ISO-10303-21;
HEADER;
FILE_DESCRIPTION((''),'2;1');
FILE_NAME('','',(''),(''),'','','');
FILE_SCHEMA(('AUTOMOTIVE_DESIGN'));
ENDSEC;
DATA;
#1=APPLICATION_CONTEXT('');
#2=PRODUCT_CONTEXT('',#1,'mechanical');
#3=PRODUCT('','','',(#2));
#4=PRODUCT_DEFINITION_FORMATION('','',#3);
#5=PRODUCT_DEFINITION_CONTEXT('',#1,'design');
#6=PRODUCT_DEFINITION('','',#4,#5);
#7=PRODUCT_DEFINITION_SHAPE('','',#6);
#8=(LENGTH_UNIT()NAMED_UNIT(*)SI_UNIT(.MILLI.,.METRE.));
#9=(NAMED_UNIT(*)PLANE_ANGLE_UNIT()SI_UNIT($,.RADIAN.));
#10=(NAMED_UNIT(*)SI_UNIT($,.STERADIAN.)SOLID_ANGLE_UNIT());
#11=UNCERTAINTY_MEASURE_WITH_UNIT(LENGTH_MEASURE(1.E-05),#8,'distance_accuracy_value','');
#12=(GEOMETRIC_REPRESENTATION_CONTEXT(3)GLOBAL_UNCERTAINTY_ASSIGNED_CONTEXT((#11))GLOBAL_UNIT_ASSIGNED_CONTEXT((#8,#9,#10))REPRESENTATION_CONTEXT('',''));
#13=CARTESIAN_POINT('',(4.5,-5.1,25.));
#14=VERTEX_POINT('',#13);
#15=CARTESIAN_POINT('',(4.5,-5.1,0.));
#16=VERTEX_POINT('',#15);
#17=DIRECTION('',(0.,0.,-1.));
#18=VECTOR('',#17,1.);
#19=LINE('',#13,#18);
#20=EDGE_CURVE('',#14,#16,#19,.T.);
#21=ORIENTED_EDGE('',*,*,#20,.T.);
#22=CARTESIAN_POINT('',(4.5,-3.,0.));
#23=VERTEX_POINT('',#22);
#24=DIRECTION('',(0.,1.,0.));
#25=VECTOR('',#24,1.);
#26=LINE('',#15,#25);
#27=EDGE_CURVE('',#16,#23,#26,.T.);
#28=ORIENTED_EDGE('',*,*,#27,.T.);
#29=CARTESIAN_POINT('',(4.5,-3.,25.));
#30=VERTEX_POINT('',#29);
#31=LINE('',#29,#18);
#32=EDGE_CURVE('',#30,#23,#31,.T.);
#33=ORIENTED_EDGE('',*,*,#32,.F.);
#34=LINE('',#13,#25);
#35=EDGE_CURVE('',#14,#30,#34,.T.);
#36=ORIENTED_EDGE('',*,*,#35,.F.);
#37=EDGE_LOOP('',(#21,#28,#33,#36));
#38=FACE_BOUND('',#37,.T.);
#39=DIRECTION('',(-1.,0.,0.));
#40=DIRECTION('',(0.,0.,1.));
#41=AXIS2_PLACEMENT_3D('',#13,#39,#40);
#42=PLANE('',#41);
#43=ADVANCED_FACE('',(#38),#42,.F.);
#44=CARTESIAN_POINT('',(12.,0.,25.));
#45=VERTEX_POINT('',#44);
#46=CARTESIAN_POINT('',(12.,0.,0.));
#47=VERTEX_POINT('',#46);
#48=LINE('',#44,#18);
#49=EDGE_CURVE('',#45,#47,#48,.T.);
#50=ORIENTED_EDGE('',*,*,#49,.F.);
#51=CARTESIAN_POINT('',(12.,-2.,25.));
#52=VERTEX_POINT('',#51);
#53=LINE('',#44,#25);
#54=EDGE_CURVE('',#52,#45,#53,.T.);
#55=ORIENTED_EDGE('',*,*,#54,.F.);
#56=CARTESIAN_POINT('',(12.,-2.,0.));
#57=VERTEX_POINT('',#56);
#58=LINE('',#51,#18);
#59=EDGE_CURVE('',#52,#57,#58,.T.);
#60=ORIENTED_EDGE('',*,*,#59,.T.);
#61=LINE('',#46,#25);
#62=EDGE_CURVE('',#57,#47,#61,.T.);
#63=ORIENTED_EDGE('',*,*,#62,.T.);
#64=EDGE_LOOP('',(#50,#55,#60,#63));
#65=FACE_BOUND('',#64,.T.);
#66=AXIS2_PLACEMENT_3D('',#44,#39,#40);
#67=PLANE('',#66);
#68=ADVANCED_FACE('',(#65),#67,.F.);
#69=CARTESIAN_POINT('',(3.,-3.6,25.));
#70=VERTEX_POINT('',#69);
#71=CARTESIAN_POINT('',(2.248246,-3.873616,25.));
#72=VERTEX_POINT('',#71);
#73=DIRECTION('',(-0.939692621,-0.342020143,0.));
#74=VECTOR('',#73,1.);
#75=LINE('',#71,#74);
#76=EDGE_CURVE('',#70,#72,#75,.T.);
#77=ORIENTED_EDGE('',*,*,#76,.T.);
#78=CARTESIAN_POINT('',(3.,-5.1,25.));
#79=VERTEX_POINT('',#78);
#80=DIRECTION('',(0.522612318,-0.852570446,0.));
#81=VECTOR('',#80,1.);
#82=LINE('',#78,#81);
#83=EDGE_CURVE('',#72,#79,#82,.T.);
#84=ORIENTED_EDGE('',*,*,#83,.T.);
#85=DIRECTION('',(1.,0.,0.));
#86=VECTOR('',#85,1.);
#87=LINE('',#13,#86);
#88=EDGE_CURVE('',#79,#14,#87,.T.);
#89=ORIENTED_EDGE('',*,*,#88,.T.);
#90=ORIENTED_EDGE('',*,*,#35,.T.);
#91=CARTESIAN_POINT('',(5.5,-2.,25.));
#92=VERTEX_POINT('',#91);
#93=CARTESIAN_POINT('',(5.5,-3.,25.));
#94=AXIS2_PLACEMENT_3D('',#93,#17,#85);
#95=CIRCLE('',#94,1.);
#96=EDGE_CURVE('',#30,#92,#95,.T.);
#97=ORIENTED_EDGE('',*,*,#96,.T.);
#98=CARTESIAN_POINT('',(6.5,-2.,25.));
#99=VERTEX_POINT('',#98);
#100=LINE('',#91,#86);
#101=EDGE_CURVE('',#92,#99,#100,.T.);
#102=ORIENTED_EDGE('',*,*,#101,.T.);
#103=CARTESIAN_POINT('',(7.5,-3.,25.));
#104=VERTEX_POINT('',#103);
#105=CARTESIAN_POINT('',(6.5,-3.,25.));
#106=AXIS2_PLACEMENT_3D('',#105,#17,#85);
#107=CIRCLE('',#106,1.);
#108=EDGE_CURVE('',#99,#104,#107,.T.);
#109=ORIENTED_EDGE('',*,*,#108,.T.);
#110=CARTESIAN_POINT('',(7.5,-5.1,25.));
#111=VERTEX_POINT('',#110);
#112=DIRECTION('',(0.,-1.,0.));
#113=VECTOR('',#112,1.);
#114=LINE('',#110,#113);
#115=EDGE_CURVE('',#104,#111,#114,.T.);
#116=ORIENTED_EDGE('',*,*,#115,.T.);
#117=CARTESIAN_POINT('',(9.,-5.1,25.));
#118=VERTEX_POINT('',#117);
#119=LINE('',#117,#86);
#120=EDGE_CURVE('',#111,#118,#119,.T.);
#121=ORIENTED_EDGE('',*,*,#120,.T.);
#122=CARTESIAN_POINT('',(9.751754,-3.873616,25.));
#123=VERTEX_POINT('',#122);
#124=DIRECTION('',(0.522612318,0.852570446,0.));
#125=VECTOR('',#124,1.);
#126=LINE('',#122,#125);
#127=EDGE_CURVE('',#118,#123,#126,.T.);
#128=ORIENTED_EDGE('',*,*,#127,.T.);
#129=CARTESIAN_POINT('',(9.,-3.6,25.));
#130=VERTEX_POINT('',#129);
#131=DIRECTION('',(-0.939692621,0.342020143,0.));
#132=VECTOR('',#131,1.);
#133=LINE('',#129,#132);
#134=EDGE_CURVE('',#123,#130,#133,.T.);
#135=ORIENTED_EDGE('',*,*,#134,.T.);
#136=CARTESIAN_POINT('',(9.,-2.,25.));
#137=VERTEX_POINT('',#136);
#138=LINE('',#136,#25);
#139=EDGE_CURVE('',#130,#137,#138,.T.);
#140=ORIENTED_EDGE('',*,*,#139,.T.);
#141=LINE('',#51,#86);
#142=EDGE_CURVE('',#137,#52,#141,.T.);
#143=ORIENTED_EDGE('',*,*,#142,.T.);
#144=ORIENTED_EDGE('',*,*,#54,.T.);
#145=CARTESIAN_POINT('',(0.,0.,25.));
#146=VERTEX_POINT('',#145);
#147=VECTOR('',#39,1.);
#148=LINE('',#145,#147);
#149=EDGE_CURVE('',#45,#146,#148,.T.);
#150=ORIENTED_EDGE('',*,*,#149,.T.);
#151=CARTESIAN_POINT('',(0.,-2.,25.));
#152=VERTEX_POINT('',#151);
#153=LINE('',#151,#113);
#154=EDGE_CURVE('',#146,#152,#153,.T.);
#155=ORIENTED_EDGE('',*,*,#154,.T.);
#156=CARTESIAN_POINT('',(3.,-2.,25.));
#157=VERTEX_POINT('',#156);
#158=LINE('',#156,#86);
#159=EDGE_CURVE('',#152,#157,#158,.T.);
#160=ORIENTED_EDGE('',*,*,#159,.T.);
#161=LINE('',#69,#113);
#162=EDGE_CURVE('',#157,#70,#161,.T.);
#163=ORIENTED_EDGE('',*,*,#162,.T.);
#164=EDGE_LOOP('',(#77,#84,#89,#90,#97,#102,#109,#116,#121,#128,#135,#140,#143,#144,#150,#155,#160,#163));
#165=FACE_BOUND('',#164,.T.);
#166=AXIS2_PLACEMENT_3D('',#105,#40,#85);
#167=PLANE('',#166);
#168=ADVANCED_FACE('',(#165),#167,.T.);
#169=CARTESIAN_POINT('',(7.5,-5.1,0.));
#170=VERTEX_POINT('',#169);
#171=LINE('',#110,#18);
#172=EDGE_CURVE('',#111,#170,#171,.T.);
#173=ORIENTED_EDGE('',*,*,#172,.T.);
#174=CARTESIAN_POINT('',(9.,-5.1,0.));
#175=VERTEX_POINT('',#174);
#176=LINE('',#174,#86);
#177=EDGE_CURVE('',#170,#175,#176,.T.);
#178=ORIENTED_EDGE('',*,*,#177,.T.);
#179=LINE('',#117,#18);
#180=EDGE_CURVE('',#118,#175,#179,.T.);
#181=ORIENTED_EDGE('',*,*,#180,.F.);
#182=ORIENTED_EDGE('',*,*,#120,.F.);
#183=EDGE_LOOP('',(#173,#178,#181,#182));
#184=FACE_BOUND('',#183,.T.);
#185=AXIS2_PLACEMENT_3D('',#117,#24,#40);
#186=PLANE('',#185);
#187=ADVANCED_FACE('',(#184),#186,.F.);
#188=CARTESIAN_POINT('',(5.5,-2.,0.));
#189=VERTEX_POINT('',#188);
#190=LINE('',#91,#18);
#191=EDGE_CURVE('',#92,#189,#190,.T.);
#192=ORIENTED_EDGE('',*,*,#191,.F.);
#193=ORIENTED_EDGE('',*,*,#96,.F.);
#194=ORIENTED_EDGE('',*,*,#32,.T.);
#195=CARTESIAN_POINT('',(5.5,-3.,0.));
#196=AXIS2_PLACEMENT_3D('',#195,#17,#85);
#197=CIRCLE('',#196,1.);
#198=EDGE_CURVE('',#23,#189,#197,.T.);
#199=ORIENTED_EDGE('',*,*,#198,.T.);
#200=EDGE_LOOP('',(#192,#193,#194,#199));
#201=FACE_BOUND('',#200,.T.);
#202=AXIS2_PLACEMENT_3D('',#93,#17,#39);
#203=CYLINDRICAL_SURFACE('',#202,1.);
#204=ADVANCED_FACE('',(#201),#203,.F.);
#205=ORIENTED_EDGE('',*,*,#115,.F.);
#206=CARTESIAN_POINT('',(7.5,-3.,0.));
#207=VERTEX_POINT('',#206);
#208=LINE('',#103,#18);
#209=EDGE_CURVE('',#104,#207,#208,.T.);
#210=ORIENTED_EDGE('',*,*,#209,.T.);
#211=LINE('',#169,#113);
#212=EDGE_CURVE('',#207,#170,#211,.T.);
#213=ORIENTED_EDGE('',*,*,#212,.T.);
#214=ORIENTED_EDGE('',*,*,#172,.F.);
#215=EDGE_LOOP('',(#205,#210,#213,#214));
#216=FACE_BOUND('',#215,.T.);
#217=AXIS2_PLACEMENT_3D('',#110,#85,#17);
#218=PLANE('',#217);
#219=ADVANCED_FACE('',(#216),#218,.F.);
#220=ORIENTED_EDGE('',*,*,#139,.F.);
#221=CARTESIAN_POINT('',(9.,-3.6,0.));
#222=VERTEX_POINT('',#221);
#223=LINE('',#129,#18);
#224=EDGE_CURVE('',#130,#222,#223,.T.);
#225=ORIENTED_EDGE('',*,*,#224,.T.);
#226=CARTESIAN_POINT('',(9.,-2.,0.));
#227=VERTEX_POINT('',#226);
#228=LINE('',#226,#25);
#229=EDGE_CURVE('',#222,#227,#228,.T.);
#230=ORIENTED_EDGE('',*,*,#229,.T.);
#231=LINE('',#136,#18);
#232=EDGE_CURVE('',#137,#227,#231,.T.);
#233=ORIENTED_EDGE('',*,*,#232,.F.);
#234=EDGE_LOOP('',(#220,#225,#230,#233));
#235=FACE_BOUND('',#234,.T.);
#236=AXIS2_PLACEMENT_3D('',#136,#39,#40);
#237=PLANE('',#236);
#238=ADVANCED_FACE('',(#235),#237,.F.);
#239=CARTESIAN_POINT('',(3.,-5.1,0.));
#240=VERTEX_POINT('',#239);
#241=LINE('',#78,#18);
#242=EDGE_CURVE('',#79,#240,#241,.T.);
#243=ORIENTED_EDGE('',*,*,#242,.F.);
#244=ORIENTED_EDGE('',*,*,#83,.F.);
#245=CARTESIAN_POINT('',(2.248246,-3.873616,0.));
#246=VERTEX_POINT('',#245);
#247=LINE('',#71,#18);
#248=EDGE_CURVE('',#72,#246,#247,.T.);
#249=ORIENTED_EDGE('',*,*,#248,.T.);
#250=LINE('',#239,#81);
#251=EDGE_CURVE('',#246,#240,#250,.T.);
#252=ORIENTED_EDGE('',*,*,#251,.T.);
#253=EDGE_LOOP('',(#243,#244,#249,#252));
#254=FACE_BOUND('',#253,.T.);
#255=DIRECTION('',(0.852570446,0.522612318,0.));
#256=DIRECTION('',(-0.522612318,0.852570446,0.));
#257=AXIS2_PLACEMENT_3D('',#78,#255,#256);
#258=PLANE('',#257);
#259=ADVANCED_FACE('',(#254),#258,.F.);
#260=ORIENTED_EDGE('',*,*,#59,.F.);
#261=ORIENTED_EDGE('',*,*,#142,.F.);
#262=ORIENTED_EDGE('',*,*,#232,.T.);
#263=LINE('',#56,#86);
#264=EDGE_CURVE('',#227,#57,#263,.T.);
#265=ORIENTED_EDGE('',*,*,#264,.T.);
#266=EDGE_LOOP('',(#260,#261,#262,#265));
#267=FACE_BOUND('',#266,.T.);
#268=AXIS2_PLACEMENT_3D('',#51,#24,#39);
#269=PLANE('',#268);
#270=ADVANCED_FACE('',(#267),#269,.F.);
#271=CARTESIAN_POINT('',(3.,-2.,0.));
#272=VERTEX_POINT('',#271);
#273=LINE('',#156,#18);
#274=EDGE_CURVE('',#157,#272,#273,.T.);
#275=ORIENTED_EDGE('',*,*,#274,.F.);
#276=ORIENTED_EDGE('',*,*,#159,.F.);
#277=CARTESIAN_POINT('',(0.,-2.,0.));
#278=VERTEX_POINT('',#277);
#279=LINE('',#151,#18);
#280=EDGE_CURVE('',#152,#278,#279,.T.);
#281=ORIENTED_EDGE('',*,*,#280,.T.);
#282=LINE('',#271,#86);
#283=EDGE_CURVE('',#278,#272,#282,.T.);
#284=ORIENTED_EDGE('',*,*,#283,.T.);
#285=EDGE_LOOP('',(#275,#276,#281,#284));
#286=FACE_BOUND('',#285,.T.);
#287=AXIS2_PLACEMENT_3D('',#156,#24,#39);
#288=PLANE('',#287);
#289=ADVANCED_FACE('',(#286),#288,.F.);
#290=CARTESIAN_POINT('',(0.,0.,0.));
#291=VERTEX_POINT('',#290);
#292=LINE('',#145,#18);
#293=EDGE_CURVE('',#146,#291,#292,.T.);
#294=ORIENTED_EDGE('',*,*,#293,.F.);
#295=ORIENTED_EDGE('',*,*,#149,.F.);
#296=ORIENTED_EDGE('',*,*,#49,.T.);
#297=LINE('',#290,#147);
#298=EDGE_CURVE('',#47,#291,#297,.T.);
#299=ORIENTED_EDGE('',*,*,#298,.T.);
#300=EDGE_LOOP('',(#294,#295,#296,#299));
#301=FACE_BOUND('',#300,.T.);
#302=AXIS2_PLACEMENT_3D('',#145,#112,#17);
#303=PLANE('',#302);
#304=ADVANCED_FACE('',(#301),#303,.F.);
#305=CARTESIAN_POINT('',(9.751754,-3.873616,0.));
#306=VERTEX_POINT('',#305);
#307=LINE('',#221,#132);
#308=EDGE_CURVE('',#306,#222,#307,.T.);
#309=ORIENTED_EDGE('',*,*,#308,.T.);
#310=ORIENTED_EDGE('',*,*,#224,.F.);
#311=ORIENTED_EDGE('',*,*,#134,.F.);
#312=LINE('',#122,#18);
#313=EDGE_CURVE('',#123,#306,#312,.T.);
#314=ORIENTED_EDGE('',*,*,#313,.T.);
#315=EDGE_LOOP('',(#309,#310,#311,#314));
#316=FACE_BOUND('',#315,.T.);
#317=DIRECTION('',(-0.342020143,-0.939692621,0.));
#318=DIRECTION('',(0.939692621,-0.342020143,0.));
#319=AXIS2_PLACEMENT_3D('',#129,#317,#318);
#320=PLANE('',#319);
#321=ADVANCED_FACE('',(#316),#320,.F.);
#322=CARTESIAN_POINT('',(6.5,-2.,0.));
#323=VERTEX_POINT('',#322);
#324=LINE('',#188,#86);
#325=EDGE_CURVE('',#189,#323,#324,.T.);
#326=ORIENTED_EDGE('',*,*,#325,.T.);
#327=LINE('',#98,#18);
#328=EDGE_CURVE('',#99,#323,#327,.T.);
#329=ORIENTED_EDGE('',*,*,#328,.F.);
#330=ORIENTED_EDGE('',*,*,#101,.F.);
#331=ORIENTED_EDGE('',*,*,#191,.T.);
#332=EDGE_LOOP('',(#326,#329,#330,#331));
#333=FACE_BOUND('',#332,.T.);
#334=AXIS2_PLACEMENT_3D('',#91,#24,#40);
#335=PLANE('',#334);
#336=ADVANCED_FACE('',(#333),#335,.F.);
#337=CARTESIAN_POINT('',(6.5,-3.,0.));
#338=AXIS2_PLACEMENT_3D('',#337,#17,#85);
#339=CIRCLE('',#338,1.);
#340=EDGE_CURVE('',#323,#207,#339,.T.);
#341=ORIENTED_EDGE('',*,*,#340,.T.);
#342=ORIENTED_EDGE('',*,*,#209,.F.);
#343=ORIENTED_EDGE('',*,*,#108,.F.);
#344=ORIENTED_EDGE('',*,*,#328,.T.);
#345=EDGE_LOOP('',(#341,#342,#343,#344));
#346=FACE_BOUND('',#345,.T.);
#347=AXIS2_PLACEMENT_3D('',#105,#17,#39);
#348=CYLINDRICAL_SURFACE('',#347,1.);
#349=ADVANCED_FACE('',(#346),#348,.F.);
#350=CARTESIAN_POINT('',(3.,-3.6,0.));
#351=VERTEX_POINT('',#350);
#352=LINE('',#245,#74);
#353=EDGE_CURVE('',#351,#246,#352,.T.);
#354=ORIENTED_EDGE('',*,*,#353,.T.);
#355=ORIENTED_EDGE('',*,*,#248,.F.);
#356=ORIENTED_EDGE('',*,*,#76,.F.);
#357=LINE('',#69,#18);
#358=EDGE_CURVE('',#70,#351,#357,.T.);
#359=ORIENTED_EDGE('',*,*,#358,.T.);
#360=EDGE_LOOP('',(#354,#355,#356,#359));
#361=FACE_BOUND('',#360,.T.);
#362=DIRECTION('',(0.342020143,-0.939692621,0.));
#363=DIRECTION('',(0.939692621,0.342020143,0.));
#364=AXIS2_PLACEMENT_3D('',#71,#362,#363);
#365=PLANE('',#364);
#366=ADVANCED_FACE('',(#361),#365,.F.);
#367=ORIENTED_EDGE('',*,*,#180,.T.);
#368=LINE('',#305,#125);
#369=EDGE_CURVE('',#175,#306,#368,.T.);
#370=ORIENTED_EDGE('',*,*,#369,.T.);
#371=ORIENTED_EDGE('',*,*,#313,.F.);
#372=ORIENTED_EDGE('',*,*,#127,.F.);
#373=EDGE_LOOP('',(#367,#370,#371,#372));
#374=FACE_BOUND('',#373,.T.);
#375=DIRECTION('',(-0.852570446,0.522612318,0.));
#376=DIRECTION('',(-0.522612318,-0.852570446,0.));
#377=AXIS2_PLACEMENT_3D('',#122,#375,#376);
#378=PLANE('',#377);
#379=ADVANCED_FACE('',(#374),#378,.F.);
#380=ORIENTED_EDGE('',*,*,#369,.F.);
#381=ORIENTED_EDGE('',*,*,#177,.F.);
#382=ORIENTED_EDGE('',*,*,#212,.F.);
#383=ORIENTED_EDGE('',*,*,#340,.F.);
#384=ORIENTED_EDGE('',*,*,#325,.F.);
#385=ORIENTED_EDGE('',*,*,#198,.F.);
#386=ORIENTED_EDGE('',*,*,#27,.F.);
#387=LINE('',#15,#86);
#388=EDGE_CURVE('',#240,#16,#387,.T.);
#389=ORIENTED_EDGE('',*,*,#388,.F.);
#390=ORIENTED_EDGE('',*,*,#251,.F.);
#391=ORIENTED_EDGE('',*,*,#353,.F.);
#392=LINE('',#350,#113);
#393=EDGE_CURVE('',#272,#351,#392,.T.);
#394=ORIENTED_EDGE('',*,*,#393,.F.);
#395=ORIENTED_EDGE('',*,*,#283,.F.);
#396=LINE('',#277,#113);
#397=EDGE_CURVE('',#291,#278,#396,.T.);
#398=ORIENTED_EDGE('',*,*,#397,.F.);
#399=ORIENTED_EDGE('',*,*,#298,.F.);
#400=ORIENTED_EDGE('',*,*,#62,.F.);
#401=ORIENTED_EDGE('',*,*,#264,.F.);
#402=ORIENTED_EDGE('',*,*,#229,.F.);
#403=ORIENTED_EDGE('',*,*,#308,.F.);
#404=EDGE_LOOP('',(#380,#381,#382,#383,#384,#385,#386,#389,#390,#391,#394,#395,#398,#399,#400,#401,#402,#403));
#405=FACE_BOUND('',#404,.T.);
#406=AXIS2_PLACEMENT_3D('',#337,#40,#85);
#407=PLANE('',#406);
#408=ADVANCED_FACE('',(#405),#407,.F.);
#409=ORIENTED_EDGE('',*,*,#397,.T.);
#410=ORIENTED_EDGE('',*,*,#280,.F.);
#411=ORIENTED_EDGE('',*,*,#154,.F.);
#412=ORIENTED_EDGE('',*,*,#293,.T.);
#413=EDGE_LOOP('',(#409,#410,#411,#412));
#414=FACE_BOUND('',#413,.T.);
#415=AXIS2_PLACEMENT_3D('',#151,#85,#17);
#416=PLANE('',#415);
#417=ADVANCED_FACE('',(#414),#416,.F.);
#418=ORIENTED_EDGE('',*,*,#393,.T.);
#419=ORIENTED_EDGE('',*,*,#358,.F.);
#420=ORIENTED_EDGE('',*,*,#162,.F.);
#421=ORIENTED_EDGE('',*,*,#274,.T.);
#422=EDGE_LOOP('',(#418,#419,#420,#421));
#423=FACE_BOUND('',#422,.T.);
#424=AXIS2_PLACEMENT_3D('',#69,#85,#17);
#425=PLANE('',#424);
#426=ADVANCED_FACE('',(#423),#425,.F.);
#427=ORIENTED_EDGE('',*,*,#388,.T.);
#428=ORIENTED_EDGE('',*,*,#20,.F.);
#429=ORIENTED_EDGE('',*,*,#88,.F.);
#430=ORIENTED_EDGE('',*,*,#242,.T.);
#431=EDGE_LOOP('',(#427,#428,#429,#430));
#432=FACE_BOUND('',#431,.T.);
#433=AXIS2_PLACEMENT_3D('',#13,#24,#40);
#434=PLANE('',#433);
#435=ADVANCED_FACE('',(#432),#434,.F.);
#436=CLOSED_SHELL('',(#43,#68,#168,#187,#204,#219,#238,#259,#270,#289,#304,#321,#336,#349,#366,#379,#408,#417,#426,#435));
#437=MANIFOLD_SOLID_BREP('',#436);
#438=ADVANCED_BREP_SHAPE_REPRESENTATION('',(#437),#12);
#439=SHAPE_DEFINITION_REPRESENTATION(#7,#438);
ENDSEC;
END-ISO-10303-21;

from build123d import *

# Parameters (mm, degrees)
BOSS_EXTRUDE1_DEPTH = 25


with BuildPart() as part:
    # Sketch1 → Boss-Extrude1 (new body)
    with BuildSketch(Plane.XY):
        with BuildLine():
            Line((0, 0), (12, 0))
            Line((12, 0), (12, -2))
            Line((12, -2), (9, -2))
            Line((9, -2), (9, -3.6))
            Line((9, -3.6), (9.751754097, -3.873616115))
            Line((9.751754097, -3.873616115), (9, -5.1))
            Line((9, -5.1), (7.5, -5.1))
            Line((7.5, -5.1), (7.5, -3))
            ThreePointArc((7.5, -3), (7.207106781, -2.292893219), (6.5, -2))
            Line((6.5, -2), (5.5, -2))
            ThreePointArc((5.5, -2), (4.792893219, -2.292893219), (4.5, -3))
            Line((4.5, -3), (4.5, -5.1))
            Line((4.5, -5.1), (3, -5.1))
            Line((3, -5.1), (2.248245903, -3.873616115))
            Line((2.248245903, -3.873616115), (3, -3.6))
            Line((3, -3.6), (3, -2))
            Line((3, -2), (0, -2))
            Line((0, -2), (0, 0))
        make_face()
    extrude(amount=BOSS_EXTRUDE1_DEPTH)


solid = part.part
